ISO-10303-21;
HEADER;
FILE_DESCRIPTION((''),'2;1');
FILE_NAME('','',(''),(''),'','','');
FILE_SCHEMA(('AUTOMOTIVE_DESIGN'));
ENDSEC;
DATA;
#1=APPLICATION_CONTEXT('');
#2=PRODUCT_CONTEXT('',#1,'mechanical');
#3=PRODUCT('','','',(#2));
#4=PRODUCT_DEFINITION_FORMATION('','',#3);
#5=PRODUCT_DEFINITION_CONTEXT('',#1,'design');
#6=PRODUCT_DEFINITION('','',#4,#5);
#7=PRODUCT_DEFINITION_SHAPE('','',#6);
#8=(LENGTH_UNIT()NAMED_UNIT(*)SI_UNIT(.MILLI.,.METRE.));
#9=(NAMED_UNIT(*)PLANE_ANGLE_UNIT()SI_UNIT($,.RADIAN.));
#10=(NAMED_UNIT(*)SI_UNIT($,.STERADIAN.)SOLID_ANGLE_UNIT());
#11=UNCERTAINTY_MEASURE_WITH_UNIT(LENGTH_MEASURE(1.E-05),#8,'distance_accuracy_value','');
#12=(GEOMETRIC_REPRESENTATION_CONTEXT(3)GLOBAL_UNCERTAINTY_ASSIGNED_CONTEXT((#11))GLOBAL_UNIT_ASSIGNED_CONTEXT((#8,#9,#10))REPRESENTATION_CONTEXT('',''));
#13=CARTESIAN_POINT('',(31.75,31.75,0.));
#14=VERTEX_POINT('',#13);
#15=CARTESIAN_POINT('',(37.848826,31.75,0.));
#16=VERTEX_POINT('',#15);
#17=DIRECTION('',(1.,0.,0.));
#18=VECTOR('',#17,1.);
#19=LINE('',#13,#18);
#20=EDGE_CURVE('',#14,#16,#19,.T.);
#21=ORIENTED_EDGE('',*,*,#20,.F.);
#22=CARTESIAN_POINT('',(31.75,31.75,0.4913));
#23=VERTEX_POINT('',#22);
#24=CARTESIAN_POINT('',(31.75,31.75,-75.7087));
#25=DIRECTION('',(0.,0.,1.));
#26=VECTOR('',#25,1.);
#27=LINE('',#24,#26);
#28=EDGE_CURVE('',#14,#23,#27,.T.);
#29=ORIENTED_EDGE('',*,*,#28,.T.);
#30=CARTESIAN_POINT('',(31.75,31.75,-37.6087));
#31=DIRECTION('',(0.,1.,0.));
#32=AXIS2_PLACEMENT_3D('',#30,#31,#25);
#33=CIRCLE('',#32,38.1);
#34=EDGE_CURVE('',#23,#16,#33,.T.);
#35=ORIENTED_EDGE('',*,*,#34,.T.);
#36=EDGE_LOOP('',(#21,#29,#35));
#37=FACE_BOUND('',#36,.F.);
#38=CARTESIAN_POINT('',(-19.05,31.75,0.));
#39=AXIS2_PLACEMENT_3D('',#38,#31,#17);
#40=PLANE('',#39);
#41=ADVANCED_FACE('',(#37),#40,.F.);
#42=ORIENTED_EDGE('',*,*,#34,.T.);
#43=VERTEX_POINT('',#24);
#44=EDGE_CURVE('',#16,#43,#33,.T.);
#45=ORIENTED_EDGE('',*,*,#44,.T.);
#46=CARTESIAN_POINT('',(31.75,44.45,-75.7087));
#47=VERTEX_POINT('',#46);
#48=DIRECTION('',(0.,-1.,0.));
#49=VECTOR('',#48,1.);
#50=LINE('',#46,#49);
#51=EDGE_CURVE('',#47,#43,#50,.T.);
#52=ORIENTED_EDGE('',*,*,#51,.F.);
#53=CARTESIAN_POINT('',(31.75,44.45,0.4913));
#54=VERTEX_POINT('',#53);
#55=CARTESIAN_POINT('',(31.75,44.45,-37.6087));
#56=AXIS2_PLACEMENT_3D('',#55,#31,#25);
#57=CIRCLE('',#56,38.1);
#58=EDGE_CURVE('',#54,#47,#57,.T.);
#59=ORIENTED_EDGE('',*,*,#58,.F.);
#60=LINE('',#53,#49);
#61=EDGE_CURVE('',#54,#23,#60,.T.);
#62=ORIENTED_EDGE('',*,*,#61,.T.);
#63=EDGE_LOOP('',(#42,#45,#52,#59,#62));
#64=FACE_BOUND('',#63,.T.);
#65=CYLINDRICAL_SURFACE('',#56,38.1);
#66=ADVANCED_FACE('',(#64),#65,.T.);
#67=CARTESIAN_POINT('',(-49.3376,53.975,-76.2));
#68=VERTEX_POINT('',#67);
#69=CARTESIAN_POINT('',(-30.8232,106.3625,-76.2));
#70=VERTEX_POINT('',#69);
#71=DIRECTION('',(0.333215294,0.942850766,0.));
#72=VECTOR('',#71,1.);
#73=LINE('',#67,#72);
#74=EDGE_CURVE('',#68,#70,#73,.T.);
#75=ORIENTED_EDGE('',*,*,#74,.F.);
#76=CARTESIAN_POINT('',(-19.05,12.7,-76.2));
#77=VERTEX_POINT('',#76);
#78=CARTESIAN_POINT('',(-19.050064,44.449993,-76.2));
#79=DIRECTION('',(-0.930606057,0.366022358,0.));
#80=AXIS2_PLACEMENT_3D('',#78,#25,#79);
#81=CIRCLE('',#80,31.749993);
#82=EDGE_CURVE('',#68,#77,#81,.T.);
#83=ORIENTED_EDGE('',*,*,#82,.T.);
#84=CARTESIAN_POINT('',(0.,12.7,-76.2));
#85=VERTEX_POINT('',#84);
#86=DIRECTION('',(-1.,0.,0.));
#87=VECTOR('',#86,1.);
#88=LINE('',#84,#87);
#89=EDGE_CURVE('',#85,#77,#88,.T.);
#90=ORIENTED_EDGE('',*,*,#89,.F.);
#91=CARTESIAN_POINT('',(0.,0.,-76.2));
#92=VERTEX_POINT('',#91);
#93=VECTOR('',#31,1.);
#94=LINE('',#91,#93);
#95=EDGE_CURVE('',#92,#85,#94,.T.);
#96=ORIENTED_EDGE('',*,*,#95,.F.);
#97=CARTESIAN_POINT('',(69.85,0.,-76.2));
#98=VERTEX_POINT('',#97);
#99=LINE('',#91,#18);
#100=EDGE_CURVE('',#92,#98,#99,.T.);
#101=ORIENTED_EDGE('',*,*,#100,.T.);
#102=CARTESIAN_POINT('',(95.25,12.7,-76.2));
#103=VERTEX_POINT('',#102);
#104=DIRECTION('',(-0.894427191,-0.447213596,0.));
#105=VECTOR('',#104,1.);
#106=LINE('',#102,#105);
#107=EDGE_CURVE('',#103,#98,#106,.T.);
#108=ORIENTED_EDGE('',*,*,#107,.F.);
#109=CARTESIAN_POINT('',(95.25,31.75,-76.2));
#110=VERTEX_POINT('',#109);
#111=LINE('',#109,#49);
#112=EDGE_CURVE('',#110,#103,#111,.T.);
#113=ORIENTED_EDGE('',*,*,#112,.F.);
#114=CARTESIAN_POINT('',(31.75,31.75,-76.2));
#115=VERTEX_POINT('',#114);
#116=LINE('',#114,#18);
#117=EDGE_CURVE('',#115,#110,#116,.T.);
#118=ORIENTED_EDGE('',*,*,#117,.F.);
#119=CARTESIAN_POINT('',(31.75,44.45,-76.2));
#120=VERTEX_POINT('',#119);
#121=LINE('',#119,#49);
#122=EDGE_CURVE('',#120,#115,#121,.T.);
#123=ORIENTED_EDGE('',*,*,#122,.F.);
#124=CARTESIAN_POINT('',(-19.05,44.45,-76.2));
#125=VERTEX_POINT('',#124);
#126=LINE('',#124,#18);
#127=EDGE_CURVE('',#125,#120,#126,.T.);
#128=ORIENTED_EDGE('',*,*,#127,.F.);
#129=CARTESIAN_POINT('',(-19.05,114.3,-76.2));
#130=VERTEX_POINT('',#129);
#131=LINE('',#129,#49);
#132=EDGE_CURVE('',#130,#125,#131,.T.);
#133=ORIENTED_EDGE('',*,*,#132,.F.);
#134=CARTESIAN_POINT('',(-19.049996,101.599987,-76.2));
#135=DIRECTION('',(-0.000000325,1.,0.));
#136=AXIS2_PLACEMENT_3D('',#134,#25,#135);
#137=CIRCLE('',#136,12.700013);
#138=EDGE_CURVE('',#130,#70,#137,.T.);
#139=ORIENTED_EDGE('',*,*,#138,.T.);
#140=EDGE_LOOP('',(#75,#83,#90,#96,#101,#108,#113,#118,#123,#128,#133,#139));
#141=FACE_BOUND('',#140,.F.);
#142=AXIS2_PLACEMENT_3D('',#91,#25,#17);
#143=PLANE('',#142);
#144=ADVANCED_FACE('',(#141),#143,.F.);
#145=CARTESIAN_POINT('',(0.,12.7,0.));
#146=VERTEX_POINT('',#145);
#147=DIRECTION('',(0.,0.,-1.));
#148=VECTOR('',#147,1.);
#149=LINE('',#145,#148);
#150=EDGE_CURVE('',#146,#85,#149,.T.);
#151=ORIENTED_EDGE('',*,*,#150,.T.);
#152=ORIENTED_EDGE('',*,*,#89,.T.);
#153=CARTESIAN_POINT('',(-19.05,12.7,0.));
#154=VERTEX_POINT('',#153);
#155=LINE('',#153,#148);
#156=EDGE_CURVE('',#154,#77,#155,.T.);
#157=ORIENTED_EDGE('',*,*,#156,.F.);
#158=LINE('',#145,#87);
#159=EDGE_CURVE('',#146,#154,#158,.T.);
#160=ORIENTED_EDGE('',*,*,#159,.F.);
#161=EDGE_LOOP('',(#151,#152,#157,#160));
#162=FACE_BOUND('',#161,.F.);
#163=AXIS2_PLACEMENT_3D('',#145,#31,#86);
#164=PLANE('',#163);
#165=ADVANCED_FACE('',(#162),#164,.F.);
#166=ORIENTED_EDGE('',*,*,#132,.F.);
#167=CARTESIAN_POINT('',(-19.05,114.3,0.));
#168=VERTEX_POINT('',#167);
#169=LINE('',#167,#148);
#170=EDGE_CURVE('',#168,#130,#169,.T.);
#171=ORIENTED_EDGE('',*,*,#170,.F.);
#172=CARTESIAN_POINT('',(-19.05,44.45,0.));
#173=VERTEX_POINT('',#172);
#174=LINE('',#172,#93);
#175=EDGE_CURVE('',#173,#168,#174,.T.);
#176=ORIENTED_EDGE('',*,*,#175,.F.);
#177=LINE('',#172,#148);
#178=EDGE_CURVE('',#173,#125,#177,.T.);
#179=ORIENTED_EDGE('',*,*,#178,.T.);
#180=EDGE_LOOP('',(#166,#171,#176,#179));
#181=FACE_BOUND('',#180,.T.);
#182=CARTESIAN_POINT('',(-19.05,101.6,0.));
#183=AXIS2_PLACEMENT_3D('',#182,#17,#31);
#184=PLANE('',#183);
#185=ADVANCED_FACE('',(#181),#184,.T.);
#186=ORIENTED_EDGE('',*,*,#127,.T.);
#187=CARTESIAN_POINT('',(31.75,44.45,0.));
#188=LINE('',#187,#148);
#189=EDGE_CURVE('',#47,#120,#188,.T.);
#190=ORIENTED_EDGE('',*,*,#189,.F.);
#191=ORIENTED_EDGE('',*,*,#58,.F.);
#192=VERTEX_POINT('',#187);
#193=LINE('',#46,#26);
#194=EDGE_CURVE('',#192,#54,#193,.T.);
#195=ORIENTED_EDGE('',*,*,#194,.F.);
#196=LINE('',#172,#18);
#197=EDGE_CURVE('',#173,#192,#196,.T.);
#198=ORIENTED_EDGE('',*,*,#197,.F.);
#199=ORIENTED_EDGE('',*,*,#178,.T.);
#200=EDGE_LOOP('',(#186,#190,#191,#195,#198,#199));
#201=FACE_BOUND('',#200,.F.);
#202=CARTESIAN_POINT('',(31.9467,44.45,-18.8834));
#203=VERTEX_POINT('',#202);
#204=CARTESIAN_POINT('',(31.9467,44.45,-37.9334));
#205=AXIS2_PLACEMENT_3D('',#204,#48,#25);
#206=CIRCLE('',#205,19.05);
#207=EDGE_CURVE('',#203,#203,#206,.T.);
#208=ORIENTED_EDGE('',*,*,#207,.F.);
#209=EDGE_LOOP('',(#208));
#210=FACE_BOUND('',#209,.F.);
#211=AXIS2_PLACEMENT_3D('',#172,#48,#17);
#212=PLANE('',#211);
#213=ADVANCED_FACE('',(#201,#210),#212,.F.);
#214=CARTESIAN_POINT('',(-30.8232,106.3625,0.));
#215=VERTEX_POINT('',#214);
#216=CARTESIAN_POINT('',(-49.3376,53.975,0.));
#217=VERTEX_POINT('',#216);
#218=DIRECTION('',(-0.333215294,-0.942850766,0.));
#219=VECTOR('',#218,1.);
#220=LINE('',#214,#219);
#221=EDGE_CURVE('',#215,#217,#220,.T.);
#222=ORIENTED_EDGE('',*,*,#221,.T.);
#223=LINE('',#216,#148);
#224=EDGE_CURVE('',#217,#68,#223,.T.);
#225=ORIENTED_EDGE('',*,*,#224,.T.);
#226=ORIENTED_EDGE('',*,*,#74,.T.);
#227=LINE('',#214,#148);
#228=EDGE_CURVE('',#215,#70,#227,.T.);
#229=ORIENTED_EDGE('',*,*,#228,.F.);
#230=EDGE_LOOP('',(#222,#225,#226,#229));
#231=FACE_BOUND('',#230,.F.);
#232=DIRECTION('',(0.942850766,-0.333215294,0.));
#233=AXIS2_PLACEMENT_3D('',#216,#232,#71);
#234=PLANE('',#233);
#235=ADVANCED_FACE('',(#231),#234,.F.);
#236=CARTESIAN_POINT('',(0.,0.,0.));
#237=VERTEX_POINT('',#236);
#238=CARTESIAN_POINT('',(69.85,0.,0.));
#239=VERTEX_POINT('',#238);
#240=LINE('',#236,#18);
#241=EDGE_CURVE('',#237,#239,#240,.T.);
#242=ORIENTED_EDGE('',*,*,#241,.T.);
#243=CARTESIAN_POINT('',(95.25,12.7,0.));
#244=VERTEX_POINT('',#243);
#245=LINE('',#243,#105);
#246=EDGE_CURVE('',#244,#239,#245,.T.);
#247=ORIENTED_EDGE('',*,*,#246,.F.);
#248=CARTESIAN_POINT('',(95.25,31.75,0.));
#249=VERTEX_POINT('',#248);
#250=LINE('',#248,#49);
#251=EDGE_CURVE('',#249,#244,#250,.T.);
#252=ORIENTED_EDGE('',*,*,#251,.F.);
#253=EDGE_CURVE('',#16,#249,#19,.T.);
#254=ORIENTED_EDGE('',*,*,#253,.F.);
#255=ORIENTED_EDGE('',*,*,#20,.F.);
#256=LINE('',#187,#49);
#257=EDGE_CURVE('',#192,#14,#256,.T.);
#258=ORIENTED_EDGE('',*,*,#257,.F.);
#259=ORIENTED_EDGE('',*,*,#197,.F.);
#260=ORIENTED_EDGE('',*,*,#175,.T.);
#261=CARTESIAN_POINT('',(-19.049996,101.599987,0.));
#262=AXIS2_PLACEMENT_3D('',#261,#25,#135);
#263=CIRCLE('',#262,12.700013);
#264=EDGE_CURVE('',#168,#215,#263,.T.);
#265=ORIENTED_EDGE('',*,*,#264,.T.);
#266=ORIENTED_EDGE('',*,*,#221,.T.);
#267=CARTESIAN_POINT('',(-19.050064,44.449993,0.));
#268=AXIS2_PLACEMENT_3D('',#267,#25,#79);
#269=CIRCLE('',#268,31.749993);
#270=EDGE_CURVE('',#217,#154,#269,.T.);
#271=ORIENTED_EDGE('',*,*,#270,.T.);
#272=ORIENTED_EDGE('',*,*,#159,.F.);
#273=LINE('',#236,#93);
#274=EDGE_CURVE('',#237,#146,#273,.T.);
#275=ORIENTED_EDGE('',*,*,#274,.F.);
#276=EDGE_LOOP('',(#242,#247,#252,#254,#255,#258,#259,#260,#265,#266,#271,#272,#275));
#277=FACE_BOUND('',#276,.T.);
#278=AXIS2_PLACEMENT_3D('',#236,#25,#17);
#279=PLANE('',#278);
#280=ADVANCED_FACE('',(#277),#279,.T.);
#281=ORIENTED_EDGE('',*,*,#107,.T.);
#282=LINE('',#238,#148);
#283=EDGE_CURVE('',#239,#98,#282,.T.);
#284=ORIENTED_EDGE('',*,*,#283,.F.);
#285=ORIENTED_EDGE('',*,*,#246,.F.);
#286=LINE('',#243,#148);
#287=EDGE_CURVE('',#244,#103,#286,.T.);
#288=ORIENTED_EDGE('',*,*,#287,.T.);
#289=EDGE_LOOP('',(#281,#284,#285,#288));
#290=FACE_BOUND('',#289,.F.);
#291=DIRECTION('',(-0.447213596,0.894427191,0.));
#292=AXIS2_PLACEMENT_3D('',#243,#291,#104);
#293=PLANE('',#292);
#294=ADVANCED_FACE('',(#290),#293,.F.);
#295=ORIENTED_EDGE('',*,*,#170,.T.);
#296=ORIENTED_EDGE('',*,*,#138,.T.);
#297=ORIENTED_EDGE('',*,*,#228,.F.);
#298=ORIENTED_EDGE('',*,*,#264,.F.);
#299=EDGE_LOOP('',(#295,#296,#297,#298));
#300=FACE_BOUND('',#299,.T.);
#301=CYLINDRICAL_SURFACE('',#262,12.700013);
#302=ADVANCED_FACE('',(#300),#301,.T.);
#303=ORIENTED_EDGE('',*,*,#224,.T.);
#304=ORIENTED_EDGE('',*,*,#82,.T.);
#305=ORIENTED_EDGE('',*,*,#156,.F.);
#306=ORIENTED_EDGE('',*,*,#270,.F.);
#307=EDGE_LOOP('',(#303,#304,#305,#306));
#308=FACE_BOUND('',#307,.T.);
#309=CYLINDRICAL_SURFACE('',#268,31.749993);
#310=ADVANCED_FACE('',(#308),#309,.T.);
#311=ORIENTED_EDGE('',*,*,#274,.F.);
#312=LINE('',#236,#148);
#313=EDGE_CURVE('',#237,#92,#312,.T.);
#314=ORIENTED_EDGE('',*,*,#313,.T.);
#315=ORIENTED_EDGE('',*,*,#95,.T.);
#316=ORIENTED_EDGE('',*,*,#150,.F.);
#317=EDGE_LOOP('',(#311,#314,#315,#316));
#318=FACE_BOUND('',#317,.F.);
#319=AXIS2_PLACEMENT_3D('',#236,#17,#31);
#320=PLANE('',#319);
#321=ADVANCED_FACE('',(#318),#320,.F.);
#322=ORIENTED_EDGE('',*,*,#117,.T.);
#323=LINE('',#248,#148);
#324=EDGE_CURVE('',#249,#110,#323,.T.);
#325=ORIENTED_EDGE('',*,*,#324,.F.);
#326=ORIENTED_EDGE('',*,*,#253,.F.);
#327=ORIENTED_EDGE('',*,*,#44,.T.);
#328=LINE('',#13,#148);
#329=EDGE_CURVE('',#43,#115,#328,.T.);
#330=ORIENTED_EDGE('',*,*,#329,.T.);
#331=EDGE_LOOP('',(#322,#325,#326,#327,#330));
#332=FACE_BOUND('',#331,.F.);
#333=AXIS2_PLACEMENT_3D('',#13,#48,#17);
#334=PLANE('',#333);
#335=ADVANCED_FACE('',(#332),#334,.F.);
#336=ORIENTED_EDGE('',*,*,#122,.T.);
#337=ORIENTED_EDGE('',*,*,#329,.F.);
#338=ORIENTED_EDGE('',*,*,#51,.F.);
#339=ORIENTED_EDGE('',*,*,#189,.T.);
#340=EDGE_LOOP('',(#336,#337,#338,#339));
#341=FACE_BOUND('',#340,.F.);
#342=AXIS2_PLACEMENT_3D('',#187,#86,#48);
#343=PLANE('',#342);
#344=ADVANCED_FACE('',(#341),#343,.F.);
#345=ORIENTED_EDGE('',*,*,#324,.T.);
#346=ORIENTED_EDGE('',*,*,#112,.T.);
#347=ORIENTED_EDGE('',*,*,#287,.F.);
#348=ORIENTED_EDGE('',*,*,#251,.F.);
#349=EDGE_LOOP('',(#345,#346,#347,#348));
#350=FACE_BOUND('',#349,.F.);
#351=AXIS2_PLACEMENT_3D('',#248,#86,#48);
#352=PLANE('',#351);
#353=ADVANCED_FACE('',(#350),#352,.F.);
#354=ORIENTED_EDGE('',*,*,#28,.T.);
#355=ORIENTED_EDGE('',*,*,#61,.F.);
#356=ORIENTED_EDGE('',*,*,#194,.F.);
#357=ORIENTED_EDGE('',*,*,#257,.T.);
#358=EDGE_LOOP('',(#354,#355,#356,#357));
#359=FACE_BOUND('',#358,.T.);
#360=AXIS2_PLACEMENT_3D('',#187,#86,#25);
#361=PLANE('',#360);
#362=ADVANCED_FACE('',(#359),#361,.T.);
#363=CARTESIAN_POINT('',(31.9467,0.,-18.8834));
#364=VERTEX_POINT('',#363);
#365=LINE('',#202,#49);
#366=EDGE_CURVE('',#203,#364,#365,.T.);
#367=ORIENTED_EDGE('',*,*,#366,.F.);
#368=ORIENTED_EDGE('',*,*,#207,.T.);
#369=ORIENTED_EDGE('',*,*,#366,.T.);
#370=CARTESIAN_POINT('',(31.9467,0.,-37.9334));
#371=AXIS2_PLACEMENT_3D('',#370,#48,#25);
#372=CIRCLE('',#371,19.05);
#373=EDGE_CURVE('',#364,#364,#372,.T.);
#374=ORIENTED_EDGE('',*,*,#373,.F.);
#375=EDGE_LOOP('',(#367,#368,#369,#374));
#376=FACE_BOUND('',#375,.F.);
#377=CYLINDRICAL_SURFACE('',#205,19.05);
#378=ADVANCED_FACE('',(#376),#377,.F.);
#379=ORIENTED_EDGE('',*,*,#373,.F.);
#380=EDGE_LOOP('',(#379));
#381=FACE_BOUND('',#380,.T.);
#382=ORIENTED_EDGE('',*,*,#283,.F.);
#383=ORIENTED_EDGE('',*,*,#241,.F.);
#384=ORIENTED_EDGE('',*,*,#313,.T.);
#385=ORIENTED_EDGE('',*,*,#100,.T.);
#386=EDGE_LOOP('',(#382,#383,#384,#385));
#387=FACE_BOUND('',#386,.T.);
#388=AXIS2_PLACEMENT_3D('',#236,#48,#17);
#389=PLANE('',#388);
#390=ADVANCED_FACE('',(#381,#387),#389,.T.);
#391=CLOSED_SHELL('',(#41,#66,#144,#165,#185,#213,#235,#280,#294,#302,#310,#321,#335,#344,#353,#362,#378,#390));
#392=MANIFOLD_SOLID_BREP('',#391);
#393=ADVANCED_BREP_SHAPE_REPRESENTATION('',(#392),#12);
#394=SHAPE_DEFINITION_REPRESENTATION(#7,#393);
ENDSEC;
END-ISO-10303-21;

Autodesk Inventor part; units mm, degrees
ref_plane "YZ Plane" through (0, 0, 0) normal (1, 0, 0) x (0, 1, 0)
ref_plane "XZ Plane" through (0, 0, 0) normal (0, 1, 0) x (-1, 0, 0)
ref_plane "XY Plane" through (0, 0, 0) normal (0, 0, 1) x (1, 0, 0)
sketch "Sketch1" plane through (0, 0, 0) normal (0, 0, 1) x (1, 0, 0)
  line L0 (0, 0) -> (69.85, 0)
  line L1 (0, 0) -> (0, 12.7)
  line L2 (95.25, 12.7) -> (69.85, 0)
  line L3 (0, 12.7) -> (-19.05, 12.7)
  line L4 (95.25, 31.75) -> (95.25, 12.7)
  line L5 (-19.05, 44.45) -> (31.75, 44.45)
  line L6 (31.75, 44.45) -> (31.75, 31.75)
  line L7 (31.75, 31.75) -> (95.25, 31.75)
  arc A0 (-48.5968, 56.0712) -> (-19.05, 12.7) centre (-19.05, 44.45) ccw
  line L8 (-19.05, 44.45) -> (-19.05, 95.25)
  line L9 (-19.05, 95.25) -> (-19.05, 101.6)
  arc A1 (-19.05, 114.3) -> (-31.2013, 105.2927) centre (-19.05, 101.6) ccw
  line L10 (-19.05, 101.6) -> (-19.05, 114.3)
  line L11 (-49.3376, 53.975) -> (-30.8232, 106.3625)
  dimension "d0" = 69.85
  dimension "d1" = 12.7
  dimension "d6" = 19.05
  dimension "d17" = 50.8
  dimension "d18" = 12.7
  dimension "d26" = 50.8
  dimension "d29" = 6.35
  dimension "d30" = 25.4
extrude "Extrusion1" add sketch "Sketch1" against normal blind 76.2 contours L1 L3 A0 L11 A1 L10 L9 L8 L5 L6 L7 L4 L2 L0
sketch "Sketch3" plane through (-19.05, 44.45, 0) normal (0, 1, 0) x (1, 0, 0)
  arc A0 (50.8, -0.4913) -> (50.8, 75.7087) centre (50.8, 37.6087) ccw
  line L0 (50.8, 75.7087) -> (50.8, -0.4913)
  line L1 (50.8, 0) -> (50.8, 76.2) projected
  point P0 (19.05, 0)
  dimension "d40" = 76.2
extrude "Extrusion2" add sketch "Sketch3" against normal up to surface (12.7 mm away)
sketch "Sketch4" plane through (-19.05, 44.45, -76.2) normal (0, 1, 0) x (1, 0, 0)
  point P0 (19.05, -76.2)
  point P1 (50.9967, -38.2666)
hole "Hole2" at (31.9467, 44.45, -37.9334) direction (0, -1, 0) diameter 38.1 end through all
properties part number "Assignment 1.7 - Hanger Jaw"
